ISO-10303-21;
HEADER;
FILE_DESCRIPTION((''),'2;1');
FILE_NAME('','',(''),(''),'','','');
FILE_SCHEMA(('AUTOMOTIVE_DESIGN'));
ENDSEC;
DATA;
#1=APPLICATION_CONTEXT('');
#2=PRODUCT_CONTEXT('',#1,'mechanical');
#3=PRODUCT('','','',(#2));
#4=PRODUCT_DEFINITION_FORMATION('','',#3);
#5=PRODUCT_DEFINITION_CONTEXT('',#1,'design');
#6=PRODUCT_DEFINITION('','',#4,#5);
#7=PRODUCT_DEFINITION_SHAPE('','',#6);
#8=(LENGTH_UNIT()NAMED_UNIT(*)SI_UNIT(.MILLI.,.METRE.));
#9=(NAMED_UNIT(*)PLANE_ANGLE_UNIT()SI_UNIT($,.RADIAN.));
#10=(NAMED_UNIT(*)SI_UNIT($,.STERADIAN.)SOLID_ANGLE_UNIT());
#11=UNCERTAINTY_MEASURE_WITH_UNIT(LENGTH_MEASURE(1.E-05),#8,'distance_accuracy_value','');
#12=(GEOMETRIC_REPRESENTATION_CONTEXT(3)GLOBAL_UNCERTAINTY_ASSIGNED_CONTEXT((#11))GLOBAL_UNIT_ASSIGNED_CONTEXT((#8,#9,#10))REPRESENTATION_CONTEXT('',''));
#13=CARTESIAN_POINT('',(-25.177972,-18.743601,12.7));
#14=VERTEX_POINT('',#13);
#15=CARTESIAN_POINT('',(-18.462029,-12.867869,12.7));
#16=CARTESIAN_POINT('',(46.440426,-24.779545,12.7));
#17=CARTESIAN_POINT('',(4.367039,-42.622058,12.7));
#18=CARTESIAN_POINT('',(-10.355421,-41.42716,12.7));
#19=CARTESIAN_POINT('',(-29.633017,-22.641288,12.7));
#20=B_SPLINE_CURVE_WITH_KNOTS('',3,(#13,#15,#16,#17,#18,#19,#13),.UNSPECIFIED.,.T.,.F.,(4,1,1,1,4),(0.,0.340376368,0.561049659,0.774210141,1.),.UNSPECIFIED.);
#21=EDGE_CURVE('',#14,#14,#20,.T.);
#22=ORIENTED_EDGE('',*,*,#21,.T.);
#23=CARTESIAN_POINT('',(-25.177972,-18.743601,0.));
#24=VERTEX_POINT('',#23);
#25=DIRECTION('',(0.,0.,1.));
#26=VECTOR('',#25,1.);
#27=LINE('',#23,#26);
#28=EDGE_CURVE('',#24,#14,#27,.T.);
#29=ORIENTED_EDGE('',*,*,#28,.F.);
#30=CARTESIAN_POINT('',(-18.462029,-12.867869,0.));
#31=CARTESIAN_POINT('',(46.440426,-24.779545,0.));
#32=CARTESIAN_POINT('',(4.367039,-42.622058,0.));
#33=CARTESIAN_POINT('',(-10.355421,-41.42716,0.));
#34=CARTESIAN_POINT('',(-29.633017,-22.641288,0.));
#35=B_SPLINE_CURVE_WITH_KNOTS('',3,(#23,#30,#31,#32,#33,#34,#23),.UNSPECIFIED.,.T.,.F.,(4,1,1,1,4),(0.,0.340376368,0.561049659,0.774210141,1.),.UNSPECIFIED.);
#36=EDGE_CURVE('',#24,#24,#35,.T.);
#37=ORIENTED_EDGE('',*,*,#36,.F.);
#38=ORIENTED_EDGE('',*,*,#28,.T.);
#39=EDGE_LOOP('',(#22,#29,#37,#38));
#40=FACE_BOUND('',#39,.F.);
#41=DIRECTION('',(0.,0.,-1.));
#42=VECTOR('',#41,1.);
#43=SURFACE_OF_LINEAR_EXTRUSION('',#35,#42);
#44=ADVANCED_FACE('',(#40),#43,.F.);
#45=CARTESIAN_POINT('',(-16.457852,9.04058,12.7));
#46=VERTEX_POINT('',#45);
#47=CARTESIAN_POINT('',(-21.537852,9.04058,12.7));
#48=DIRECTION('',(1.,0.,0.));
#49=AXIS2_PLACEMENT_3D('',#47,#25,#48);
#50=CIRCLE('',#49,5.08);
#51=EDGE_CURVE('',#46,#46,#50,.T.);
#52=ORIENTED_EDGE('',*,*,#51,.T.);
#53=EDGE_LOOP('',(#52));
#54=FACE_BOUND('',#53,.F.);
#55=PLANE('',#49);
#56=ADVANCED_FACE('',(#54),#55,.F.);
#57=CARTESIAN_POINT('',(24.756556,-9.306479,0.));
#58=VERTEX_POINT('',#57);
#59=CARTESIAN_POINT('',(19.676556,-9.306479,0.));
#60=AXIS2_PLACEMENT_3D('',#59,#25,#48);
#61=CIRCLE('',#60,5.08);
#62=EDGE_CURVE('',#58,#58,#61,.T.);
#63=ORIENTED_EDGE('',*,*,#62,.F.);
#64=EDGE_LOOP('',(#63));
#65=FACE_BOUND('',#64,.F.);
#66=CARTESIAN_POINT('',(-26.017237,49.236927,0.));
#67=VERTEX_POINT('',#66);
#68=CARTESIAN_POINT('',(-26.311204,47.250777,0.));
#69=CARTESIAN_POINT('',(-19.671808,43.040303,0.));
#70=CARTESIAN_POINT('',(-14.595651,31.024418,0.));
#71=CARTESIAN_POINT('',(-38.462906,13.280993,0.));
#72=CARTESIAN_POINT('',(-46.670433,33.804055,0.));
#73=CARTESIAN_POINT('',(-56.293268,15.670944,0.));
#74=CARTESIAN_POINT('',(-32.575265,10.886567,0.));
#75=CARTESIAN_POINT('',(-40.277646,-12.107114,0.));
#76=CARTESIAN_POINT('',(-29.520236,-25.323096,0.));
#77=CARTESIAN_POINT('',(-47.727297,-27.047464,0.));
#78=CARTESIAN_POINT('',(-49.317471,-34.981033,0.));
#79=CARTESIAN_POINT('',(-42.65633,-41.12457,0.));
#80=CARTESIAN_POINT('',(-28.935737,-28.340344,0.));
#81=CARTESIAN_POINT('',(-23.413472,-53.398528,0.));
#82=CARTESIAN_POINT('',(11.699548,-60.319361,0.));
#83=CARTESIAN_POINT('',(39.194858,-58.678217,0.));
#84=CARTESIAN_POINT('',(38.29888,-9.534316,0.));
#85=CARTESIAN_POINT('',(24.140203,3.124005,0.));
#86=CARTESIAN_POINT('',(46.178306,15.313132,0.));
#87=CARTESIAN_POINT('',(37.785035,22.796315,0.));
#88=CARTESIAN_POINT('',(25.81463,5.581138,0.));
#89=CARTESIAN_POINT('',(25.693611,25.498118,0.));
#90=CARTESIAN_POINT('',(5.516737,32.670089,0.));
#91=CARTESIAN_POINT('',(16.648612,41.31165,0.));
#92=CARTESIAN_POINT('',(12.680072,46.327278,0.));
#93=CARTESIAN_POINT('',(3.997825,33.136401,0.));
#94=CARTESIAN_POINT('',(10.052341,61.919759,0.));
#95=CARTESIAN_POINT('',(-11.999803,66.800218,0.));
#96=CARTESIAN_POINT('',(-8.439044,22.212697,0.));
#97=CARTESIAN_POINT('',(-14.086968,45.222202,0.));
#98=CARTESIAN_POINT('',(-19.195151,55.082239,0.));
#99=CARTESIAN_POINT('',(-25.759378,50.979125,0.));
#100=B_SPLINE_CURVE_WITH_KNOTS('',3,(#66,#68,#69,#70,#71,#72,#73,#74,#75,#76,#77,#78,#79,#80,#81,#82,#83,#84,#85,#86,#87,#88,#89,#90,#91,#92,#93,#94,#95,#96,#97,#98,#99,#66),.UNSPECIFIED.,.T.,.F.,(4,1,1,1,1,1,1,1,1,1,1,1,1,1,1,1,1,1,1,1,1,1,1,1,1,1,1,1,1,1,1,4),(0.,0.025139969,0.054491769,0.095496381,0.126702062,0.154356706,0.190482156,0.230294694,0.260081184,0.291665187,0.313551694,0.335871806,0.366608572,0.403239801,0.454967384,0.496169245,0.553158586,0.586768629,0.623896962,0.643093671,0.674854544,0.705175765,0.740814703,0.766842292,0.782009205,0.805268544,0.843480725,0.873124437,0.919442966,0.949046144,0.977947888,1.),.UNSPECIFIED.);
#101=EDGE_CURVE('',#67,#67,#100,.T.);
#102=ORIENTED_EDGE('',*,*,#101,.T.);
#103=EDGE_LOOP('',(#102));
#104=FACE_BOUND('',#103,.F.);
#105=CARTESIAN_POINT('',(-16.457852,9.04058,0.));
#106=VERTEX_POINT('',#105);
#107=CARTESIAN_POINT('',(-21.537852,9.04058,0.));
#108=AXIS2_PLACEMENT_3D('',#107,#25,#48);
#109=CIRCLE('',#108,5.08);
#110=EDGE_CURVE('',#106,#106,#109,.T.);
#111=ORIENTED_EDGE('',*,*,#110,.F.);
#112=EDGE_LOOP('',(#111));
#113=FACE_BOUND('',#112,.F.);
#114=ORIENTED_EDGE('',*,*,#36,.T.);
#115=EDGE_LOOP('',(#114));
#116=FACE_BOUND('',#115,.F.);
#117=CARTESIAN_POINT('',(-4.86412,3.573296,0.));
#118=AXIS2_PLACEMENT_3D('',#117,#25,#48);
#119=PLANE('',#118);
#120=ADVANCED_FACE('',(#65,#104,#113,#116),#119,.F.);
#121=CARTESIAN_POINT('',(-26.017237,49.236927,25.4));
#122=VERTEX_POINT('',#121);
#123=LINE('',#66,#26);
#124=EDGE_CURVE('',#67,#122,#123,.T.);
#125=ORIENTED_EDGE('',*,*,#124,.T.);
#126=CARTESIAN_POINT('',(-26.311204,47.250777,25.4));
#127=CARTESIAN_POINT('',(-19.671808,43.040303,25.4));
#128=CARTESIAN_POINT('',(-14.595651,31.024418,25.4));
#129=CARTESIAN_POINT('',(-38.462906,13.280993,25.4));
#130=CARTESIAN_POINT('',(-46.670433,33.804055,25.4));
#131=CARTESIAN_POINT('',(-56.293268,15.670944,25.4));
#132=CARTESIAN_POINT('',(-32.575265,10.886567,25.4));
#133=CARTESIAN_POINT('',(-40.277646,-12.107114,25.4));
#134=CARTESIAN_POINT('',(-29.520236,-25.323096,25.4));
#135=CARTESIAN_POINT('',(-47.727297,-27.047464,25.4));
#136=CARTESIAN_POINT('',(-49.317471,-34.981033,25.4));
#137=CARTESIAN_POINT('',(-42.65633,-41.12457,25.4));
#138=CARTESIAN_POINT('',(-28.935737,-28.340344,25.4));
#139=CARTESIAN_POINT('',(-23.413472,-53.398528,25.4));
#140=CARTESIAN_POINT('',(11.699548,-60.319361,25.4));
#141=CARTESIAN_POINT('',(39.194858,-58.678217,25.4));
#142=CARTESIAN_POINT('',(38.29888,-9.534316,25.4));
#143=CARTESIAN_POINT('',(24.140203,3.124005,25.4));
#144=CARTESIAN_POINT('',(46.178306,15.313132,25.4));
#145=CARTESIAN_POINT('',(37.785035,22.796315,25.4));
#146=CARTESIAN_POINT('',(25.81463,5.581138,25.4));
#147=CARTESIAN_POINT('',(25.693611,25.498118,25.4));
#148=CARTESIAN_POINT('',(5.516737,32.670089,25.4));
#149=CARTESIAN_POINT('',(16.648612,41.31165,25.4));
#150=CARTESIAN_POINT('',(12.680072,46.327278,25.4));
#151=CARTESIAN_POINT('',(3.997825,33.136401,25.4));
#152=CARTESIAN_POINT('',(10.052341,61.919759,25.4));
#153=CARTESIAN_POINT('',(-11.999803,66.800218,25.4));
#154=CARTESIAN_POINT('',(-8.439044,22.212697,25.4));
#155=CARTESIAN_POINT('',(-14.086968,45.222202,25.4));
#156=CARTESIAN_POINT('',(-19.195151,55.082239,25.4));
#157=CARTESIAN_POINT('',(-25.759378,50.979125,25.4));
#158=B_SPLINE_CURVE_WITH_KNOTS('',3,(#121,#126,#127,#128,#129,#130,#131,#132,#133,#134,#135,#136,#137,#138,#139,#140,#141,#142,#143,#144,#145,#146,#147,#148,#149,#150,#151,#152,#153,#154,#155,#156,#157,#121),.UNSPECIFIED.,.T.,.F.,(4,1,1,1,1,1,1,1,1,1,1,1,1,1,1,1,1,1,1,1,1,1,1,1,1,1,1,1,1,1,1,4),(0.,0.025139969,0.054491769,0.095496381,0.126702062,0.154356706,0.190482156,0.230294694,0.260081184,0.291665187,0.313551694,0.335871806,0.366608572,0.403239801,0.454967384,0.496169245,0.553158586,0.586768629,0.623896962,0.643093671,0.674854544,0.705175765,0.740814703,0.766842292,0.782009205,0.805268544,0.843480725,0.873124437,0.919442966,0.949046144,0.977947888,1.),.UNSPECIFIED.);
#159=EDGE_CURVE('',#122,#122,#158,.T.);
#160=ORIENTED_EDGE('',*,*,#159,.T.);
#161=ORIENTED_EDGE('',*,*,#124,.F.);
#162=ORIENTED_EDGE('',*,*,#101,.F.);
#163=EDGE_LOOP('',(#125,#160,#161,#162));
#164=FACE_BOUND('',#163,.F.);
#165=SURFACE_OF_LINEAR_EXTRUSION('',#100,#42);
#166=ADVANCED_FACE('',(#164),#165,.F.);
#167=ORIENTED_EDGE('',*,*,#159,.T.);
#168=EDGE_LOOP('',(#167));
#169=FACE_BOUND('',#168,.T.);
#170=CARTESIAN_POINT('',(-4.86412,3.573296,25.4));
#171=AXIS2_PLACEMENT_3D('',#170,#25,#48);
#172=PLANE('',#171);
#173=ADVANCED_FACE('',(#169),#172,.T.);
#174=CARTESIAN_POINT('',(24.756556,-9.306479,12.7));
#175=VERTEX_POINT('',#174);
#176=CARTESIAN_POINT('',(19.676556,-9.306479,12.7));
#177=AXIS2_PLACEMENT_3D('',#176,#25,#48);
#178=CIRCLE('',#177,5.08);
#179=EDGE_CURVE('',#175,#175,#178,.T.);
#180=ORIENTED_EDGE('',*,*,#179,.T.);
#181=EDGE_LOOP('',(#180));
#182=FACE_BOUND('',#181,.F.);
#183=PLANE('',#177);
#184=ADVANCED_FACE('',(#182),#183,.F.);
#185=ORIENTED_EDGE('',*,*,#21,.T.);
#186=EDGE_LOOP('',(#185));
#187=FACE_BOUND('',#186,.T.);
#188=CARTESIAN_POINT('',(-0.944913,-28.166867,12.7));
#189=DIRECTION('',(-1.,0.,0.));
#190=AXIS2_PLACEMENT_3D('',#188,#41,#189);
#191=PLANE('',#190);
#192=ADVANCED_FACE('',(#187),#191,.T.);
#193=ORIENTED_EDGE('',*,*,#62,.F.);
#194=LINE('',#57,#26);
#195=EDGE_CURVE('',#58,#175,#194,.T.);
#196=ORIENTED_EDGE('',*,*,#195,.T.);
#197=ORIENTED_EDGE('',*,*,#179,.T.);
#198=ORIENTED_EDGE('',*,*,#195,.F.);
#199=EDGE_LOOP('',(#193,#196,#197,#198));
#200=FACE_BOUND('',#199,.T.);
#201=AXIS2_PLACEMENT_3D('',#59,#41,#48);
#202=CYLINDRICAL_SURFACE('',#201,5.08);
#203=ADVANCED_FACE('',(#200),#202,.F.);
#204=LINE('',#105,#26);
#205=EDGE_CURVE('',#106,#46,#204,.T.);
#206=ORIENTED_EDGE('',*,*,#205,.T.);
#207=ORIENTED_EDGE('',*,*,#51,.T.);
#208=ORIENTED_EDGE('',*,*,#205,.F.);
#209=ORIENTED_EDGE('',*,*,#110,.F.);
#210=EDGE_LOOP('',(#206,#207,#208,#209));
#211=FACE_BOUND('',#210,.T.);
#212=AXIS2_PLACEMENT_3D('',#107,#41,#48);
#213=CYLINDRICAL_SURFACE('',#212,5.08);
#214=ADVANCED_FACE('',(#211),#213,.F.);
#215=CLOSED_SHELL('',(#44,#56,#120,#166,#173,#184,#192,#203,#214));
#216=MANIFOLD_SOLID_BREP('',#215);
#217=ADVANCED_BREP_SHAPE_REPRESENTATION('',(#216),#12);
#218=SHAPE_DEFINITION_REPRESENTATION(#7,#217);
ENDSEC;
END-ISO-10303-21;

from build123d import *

# Parameters (mm, degrees)
F1_DEPTH = 25.4
F2_R     = 5.08
F3_DEPTH = 12.7


with BuildPart() as f1:
    # F0 (on Top) → F1 (new body)
    with BuildSketch(Plane.XY):
        with BuildLine():
            add(Edge.make_bspline(
                [(-26.0172374547, 49.2369271815), (-26.3112042244, 47.2507774282), (-19.6718079718, 43.0403031989), (-14.595650886, 31.0244179919), (-38.4629063506, 13.2809925713), (-46.6704330749, 33.8040552545), (-56.2932676336, 15.6709441247), (-32.5752653409, 10.8865666218), (-40.2776457157, -12.1071135447), (-29.5202361556, -25.3230959304), (-47.7272968057, -27.0474642589), (-49.3174705755, -34.9810325559), (-42.6563303869, -41.124570281), (-28.9357372319, -28.3403441079), (-23.4134721581, -53.3985276262), (11.6995484749, -60.3193607024), (39.1948582743, -58.6782172157), (38.2988801705, -9.5343163179), (24.1402033044, 3.1240046674), (46.1783056933, 15.3131319137), (37.7850353469, 22.7963148519), (25.8146301471, 5.581138061), (25.6936106625, 25.4981184631), (5.5167367118, 32.6700886722), (16.648611969, 41.3116498025), (12.6800719464, 46.3272775472), (3.9978247152, 33.136401249), (10.0523409238, 61.9197586272), (-11.9998032928, 66.8002181798), (-8.4390435652, 22.2126971535), (-14.0869682775, 45.2222020199), (-19.1951507311, 55.0822392441), (-25.7593776273, 50.9791248897), (-26.0172374547, 49.2369271815)],
                knots=[0, 0, 0, 0, 0.025139969, 0.0544917694, 0.0954963805, 0.1267020616, 0.1543567056, 0.1904821563, 0.2302946941, 0.260081184, 0.2916651873, 0.313551694, 0.3358718056, 0.3666085724, 0.4032398012, 0.454967384, 0.4961692453, 0.5531585859, 0.5867686291, 0.6238969616, 0.6430936715, 0.6748545443, 0.7051757648, 0.7408147034, 0.7668422922, 0.7820092051, 0.8052685443, 0.8434807254, 0.8731244373, 0.9194429656, 0.9490461442, 0.9779478882, 1, 1, 1, 1], degree=3))
        make_face()
    extrude(amount=F1_DEPTH)

    # F2 (on Top) → F3 (cut)
    with BuildSketch(Plane.XY):
        with Locations((-21.5378517817, 9.0405797056)):
            Circle(F2_R)
        with Locations((19.6765562984, -9.3064791868)):
            Circle(F2_R)
        with BuildLine():
            add(Edge.make_bspline(
                [(-25.1779723912, -18.7436006963), (-18.4620285535, -12.8678690002), (46.4404262758, -24.7795452807), (4.3670392234, -42.6220583476), (-10.3554212649, -41.4271598692), (-29.6330173279, -22.6412879573), (-25.1779723912, -18.7436006963)],
                knots=[0, 0, 0, 0, 0.3403763676, 0.5610496587, 0.7742101409, 1, 1, 1, 1], degree=3))
        make_face()
    extrude(amount=F3_DEPTH, mode=Mode.SUBTRACT)


solid = f1.part
